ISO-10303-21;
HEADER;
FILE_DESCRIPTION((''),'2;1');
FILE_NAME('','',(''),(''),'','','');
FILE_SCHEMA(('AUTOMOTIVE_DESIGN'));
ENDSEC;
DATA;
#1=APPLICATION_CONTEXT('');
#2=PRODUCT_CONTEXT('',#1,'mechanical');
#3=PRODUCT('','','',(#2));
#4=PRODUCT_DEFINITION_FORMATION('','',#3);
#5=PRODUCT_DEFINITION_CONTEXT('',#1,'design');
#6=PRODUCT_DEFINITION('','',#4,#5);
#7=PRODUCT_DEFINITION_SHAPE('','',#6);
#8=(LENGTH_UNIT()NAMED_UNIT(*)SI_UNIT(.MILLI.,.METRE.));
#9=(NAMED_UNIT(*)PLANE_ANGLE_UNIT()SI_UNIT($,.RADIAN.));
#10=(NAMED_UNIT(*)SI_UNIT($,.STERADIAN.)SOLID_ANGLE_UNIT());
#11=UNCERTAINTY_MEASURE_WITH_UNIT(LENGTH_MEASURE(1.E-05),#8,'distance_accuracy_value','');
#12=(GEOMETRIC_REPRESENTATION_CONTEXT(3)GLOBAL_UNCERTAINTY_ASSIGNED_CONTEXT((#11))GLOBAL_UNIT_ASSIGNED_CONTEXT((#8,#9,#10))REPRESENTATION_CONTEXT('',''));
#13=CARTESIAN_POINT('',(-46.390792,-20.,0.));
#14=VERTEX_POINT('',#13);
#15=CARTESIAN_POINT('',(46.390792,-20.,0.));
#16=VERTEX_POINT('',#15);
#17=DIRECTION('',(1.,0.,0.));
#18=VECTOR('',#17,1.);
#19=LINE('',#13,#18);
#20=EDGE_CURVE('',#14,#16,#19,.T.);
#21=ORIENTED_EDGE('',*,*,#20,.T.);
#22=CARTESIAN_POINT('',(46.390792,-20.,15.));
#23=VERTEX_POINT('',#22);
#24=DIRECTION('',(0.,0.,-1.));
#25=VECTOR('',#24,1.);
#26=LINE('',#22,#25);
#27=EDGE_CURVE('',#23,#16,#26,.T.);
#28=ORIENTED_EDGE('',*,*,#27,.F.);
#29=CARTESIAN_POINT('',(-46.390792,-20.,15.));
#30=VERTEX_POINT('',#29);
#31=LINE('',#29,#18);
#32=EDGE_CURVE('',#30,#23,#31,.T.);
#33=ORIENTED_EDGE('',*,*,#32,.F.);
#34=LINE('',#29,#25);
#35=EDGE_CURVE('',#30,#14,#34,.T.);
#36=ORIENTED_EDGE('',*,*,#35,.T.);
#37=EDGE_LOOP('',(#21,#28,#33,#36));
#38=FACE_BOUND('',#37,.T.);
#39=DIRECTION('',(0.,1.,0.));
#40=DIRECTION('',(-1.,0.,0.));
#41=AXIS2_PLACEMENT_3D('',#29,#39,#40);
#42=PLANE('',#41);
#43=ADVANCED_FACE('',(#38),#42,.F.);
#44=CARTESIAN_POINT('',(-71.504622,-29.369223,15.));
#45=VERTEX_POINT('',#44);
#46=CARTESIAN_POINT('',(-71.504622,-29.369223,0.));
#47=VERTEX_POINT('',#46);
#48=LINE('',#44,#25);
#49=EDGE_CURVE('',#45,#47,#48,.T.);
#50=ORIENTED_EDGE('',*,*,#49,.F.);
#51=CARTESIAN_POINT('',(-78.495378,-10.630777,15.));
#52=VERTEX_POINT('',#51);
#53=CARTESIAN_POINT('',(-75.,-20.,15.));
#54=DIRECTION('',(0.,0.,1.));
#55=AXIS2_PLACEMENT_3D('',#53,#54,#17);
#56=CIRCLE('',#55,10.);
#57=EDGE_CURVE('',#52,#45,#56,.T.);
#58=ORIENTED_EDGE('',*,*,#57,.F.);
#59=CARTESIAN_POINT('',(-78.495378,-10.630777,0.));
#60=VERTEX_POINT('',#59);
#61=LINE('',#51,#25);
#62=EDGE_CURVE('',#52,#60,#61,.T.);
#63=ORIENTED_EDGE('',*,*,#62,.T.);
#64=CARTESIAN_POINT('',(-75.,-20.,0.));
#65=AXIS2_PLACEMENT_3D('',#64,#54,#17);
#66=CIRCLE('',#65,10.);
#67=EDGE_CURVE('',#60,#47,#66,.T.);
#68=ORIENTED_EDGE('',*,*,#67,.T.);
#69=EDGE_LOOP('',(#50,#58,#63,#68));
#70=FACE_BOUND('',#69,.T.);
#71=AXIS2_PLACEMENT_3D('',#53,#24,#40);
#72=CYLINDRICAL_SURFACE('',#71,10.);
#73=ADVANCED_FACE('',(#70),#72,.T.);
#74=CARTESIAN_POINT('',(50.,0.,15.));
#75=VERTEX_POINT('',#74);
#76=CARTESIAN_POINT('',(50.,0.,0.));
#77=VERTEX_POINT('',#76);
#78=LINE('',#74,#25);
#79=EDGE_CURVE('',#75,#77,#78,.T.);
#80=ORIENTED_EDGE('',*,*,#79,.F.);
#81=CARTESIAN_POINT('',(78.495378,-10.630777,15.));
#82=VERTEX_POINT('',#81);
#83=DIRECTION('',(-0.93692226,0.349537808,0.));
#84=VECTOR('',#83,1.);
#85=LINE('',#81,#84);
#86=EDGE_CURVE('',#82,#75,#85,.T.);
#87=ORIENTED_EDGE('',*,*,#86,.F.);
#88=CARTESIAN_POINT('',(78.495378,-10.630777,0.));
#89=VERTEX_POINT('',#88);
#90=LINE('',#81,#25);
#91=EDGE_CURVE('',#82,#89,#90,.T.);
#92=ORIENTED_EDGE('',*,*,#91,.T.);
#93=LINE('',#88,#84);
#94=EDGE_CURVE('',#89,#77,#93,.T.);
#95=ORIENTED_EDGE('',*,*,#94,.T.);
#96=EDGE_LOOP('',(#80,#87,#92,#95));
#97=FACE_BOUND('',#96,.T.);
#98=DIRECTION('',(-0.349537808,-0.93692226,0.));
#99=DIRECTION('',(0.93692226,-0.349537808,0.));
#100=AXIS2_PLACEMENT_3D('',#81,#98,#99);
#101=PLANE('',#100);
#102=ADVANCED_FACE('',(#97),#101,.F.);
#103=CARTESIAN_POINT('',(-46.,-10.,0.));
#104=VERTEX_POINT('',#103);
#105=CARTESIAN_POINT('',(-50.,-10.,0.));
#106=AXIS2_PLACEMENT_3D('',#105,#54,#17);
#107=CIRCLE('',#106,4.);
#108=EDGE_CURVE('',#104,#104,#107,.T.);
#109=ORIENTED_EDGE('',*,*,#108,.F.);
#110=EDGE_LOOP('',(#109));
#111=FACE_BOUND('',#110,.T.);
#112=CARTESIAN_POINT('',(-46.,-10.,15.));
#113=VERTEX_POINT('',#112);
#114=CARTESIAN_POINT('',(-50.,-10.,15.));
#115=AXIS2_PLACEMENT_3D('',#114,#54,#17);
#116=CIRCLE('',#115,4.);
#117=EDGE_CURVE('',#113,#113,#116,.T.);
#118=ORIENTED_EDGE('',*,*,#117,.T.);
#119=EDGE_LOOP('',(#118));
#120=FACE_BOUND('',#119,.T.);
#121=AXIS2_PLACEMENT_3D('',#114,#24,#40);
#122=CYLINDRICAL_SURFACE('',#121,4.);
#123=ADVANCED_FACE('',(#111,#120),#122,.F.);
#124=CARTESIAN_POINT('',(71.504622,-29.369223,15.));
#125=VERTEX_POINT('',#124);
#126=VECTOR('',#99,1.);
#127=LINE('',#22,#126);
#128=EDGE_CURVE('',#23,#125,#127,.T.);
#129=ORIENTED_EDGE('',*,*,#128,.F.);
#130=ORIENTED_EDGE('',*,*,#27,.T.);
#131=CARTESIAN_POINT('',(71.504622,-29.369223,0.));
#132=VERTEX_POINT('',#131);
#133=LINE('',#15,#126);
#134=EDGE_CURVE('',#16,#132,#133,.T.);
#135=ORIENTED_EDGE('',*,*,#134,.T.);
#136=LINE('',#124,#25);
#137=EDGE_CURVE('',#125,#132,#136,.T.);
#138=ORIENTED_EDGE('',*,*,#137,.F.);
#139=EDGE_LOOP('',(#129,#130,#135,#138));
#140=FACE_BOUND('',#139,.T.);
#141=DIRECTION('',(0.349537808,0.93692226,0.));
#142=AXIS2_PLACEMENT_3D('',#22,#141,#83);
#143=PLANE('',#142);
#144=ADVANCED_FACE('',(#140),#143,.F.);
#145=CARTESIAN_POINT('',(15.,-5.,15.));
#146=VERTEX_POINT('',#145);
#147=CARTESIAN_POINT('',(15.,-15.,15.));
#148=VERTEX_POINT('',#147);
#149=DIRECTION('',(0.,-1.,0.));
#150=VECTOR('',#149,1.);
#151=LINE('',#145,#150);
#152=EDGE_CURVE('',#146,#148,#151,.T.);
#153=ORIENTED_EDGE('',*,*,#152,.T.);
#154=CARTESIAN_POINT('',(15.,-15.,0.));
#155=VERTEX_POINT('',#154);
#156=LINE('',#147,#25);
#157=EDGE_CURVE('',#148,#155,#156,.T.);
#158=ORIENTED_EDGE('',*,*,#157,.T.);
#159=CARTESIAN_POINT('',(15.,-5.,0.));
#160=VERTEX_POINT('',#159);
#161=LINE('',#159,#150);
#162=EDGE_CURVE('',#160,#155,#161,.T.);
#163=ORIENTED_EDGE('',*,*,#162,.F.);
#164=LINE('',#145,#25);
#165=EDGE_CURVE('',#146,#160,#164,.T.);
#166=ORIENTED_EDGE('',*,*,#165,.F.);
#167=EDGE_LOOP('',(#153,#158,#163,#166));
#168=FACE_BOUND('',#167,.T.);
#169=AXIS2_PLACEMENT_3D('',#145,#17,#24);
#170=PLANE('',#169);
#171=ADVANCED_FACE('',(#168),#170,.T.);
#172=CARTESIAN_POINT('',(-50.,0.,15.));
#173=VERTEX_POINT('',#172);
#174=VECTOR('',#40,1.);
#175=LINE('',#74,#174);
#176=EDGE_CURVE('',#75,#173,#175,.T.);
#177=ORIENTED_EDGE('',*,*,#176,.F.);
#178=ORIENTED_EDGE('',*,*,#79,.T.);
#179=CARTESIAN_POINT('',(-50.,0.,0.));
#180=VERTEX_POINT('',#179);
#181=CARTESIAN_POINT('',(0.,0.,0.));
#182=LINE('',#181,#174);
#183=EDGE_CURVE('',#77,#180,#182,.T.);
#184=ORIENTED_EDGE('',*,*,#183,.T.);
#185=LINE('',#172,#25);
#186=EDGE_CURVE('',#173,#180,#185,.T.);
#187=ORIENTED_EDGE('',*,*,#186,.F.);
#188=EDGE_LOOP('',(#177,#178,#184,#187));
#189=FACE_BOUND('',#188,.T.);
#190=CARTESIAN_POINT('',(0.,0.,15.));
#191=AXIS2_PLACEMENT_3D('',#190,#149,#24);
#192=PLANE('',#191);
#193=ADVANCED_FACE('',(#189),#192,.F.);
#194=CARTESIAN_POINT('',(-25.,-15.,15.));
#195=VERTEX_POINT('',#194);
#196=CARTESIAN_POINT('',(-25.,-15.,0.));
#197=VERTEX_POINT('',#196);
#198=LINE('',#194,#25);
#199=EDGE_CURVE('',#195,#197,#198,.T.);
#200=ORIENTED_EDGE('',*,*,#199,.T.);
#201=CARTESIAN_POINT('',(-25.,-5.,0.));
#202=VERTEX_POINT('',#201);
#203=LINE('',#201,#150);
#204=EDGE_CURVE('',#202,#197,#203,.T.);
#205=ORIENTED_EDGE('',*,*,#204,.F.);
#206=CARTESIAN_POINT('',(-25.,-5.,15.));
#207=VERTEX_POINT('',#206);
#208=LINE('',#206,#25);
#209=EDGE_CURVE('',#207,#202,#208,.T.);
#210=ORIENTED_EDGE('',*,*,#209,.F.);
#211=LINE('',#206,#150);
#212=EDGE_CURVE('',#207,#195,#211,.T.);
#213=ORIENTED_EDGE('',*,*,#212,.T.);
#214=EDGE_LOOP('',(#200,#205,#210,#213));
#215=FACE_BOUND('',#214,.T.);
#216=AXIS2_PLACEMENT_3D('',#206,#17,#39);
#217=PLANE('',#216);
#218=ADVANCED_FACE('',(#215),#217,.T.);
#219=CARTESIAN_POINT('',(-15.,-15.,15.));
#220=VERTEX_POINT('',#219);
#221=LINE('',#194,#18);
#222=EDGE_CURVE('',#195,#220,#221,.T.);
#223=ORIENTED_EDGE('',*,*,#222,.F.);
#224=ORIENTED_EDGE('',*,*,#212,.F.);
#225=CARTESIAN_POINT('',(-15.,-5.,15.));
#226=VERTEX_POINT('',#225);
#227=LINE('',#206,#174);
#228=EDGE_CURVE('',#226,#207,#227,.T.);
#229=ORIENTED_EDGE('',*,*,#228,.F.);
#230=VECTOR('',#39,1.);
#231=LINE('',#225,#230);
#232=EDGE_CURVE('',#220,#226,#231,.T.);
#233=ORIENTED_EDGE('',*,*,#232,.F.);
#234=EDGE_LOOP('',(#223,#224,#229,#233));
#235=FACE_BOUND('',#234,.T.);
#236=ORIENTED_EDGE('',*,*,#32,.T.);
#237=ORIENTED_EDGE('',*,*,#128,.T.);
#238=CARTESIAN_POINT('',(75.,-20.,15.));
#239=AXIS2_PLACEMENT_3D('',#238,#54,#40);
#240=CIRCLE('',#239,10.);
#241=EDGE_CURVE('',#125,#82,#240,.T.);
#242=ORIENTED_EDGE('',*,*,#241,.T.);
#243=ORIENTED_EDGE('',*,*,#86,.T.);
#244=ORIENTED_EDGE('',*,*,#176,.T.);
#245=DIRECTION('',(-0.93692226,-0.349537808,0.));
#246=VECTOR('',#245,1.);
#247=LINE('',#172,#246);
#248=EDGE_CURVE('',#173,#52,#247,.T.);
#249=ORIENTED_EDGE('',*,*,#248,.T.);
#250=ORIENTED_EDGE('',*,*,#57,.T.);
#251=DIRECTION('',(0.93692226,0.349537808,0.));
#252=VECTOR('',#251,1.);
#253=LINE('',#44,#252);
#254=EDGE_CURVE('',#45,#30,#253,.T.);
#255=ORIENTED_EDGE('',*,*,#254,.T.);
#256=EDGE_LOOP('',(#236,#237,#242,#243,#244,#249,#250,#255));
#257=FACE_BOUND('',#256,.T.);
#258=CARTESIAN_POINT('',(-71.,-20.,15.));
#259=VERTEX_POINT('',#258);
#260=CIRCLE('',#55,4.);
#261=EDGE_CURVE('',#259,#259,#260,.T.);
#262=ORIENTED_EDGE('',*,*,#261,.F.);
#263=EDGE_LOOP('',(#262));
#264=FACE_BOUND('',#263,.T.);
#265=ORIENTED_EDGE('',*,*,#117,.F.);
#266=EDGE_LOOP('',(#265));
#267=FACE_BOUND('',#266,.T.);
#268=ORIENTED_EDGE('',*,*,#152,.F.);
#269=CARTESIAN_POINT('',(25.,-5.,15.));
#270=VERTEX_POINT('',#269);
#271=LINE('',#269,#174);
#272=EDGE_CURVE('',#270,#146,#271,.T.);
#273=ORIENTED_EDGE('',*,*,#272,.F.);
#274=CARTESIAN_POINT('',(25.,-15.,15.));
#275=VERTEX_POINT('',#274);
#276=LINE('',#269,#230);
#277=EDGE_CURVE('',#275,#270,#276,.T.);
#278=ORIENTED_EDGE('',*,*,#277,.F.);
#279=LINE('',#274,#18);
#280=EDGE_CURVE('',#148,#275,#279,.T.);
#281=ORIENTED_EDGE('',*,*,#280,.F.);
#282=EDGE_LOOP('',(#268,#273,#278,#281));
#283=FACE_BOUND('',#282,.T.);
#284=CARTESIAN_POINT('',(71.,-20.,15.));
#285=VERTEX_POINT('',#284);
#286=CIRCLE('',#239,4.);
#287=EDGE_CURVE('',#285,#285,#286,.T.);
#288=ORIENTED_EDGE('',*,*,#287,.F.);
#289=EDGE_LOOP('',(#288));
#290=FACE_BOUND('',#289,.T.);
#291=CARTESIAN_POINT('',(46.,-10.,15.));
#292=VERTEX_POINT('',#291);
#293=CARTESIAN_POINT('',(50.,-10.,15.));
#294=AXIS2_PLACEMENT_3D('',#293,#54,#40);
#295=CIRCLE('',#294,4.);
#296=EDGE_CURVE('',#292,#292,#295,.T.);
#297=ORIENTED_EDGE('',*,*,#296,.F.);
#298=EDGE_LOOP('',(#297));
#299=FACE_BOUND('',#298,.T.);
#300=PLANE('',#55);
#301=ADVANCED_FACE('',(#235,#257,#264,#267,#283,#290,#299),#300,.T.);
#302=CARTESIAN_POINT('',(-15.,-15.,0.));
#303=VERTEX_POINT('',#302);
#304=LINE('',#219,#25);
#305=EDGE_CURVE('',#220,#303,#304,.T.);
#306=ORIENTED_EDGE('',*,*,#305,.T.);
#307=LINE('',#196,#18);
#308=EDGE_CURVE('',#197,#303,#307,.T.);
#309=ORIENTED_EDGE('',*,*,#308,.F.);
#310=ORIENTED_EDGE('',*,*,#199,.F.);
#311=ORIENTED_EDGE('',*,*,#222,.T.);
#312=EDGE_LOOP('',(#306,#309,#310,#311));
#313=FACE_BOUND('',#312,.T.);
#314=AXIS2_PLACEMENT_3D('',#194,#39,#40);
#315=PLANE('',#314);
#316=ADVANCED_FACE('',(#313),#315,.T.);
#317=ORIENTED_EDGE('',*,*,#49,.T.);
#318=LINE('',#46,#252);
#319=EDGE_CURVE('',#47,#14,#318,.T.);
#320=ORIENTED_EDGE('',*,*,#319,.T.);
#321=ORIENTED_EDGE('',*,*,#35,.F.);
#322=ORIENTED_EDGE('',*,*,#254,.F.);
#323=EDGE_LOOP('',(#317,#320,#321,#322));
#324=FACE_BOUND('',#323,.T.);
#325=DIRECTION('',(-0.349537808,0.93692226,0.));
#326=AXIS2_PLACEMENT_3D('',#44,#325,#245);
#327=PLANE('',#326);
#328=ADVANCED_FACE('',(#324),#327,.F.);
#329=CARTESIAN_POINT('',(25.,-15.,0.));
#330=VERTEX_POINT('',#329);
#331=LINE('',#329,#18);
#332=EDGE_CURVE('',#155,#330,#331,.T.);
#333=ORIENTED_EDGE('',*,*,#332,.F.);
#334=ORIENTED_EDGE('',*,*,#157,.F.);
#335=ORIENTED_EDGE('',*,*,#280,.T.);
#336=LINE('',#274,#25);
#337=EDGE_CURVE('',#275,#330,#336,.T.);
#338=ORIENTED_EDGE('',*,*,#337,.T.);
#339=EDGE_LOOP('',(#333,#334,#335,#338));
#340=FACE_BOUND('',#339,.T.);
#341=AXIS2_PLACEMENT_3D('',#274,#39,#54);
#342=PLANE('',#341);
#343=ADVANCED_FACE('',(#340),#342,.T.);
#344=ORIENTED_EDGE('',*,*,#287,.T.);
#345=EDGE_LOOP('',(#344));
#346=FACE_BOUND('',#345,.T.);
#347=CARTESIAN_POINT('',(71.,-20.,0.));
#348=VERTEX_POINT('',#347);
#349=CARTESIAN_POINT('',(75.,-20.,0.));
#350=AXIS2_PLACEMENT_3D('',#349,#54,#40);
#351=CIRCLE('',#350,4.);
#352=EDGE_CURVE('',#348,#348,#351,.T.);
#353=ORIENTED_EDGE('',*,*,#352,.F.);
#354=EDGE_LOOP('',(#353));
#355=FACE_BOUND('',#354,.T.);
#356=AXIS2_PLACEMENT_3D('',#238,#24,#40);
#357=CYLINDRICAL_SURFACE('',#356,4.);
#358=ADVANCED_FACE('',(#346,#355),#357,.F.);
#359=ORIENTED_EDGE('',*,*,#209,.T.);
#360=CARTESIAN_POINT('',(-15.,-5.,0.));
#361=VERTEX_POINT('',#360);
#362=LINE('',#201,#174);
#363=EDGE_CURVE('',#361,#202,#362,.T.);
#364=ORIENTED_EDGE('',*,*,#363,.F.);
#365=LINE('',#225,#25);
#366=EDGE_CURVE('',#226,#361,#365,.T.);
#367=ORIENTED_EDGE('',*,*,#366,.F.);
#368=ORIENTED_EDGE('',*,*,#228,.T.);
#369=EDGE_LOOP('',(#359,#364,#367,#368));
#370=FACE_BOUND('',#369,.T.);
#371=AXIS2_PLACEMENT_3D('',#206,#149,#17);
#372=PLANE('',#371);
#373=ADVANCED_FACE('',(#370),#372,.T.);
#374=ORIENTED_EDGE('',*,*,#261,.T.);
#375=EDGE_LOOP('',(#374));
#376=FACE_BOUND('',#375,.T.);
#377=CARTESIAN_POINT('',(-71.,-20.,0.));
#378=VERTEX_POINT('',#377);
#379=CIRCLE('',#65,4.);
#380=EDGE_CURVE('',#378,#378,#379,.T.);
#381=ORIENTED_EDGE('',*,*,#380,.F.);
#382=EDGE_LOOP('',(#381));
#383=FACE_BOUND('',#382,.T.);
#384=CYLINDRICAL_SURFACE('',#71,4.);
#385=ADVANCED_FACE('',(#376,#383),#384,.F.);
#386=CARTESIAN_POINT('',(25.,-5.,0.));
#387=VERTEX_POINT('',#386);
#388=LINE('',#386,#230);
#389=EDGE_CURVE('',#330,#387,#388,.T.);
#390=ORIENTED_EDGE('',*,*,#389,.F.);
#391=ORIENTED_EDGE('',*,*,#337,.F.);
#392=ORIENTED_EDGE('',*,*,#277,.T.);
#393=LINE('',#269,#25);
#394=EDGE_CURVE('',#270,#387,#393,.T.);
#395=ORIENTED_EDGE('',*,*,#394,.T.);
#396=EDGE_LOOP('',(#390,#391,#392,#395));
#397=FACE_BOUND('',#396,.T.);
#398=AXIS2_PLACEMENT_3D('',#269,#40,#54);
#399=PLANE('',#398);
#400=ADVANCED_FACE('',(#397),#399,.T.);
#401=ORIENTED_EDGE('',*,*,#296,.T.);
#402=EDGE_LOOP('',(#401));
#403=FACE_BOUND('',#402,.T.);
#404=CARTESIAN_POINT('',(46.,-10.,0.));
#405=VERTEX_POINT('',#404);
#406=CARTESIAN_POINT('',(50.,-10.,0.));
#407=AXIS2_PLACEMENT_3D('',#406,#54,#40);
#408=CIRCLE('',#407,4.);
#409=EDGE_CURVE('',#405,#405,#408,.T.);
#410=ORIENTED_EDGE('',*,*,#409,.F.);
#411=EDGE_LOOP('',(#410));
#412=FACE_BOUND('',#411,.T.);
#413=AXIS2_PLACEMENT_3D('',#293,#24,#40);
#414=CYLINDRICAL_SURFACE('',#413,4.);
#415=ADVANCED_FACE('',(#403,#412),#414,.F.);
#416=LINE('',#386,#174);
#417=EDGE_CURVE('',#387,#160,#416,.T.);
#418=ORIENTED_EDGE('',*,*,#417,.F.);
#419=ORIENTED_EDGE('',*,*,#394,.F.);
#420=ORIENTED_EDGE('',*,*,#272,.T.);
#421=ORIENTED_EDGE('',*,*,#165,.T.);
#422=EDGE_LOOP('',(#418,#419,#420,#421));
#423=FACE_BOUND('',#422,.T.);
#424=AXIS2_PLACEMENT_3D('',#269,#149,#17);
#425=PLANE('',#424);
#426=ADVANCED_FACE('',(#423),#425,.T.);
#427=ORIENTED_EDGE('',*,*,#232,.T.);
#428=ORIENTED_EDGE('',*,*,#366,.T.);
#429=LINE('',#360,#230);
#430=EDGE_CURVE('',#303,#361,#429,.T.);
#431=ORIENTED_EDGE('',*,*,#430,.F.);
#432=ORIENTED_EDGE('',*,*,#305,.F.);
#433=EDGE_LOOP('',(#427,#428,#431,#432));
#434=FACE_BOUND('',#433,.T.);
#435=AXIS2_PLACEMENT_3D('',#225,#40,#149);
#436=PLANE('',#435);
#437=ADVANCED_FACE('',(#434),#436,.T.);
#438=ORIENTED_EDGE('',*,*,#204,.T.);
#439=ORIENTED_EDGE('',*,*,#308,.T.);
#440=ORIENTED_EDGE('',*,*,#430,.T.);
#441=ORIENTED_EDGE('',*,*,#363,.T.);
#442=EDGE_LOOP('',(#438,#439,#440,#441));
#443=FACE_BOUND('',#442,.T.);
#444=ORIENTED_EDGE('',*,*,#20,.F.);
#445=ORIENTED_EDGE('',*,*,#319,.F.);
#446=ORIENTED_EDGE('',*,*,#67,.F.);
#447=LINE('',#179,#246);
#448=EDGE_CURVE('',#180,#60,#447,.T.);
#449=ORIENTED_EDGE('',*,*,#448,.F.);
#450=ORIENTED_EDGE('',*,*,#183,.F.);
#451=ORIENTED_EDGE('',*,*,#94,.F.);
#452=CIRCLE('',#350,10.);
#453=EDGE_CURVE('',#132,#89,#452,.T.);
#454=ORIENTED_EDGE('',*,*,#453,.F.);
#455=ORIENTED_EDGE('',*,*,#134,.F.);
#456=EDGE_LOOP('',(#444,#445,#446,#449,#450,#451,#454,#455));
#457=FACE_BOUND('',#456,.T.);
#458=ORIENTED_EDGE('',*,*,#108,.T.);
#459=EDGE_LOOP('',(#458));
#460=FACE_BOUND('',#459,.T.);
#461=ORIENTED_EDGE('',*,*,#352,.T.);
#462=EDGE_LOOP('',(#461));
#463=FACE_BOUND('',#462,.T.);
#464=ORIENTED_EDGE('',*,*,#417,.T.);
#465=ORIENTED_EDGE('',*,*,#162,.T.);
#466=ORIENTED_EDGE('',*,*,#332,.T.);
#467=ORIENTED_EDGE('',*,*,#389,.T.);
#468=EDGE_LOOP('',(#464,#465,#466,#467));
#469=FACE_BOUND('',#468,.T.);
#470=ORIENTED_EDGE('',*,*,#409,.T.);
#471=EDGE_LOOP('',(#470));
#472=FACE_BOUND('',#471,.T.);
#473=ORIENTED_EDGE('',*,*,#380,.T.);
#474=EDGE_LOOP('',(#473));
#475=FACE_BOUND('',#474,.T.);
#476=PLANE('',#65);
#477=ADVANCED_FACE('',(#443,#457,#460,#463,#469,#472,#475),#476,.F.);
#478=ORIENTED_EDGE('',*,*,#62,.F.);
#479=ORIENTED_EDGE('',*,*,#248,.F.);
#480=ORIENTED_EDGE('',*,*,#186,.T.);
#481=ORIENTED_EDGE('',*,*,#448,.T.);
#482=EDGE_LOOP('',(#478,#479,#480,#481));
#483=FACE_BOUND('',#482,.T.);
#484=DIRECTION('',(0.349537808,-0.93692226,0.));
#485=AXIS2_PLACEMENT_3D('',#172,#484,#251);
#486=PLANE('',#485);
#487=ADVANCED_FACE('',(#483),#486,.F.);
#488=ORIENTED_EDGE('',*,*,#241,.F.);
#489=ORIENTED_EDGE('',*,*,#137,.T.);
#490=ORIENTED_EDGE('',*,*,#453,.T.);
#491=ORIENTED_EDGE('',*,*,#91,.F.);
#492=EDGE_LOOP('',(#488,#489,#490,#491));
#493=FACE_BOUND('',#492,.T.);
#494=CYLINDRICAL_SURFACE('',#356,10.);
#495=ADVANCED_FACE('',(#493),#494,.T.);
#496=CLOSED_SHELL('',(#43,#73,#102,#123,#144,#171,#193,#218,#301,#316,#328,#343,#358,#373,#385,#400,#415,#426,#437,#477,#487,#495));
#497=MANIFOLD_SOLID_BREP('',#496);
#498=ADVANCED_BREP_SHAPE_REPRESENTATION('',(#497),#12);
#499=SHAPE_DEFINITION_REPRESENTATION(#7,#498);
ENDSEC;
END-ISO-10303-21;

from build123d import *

# Parameters (mm, degrees)
ESBO_O1_R                = 4
ESBO_O1_W                = 10
ESBO_O1_H                = 10
RESSALTO_EXTRUS_O1_DEPTH = 15


with BuildPart() as part:
    # Esboço1 → Ressalto-extrusão1 (new body)
    with BuildSketch(Plane.XY):
        with BuildLine():
            Line((78.495378078, -10.630777402), (50, 0))
            Line((50, 0), (0, 0))
            Line((0, 0), (-50, 0))
            Line((-50, 0), (-78.495378078, -10.630777402))
            ThreePointArc((-78.495378078, -10.630777402), (-84.369222598, -23.495378078), (-71.504621922, -29.369222598))
            Line((-71.504621922, -29.369222598), (-46.390791566, -20))
            Line((-46.390791566, -20), (46.390791566, -20))
            Line((46.390791566, -20), (71.504621922, -29.369222598))
            ThreePointArc((71.504621922, -29.369222598), (84.369222598, -23.495378078), (78.495378078, -10.630777402))
        make_face()
        with Locations((-50, -10)):
            Circle(ESBO_O1_R, mode=Mode.SUBTRACT)
        with Locations(Location((50, -10, 0), (0, 0, 180))):
            Circle(ESBO_O1_R, mode=Mode.SUBTRACT)
        with Locations((-75, -20)):
            Circle(ESBO_O1_R, mode=Mode.SUBTRACT)
        with Locations(Location((75, -20, 0), (0, 0, 180))):
            Circle(ESBO_O1_R, mode=Mode.SUBTRACT)
        with Locations((20, -10)):
            Rectangle(ESBO_O1_W, ESBO_O1_H, mode=Mode.SUBTRACT)
        with Locations((-20, -10)):
            Rectangle(ESBO_O1_W, ESBO_O1_H, mode=Mode.SUBTRACT)
    extrude(amount=RESSALTO_EXTRUS_O1_DEPTH)


solid = part.part
